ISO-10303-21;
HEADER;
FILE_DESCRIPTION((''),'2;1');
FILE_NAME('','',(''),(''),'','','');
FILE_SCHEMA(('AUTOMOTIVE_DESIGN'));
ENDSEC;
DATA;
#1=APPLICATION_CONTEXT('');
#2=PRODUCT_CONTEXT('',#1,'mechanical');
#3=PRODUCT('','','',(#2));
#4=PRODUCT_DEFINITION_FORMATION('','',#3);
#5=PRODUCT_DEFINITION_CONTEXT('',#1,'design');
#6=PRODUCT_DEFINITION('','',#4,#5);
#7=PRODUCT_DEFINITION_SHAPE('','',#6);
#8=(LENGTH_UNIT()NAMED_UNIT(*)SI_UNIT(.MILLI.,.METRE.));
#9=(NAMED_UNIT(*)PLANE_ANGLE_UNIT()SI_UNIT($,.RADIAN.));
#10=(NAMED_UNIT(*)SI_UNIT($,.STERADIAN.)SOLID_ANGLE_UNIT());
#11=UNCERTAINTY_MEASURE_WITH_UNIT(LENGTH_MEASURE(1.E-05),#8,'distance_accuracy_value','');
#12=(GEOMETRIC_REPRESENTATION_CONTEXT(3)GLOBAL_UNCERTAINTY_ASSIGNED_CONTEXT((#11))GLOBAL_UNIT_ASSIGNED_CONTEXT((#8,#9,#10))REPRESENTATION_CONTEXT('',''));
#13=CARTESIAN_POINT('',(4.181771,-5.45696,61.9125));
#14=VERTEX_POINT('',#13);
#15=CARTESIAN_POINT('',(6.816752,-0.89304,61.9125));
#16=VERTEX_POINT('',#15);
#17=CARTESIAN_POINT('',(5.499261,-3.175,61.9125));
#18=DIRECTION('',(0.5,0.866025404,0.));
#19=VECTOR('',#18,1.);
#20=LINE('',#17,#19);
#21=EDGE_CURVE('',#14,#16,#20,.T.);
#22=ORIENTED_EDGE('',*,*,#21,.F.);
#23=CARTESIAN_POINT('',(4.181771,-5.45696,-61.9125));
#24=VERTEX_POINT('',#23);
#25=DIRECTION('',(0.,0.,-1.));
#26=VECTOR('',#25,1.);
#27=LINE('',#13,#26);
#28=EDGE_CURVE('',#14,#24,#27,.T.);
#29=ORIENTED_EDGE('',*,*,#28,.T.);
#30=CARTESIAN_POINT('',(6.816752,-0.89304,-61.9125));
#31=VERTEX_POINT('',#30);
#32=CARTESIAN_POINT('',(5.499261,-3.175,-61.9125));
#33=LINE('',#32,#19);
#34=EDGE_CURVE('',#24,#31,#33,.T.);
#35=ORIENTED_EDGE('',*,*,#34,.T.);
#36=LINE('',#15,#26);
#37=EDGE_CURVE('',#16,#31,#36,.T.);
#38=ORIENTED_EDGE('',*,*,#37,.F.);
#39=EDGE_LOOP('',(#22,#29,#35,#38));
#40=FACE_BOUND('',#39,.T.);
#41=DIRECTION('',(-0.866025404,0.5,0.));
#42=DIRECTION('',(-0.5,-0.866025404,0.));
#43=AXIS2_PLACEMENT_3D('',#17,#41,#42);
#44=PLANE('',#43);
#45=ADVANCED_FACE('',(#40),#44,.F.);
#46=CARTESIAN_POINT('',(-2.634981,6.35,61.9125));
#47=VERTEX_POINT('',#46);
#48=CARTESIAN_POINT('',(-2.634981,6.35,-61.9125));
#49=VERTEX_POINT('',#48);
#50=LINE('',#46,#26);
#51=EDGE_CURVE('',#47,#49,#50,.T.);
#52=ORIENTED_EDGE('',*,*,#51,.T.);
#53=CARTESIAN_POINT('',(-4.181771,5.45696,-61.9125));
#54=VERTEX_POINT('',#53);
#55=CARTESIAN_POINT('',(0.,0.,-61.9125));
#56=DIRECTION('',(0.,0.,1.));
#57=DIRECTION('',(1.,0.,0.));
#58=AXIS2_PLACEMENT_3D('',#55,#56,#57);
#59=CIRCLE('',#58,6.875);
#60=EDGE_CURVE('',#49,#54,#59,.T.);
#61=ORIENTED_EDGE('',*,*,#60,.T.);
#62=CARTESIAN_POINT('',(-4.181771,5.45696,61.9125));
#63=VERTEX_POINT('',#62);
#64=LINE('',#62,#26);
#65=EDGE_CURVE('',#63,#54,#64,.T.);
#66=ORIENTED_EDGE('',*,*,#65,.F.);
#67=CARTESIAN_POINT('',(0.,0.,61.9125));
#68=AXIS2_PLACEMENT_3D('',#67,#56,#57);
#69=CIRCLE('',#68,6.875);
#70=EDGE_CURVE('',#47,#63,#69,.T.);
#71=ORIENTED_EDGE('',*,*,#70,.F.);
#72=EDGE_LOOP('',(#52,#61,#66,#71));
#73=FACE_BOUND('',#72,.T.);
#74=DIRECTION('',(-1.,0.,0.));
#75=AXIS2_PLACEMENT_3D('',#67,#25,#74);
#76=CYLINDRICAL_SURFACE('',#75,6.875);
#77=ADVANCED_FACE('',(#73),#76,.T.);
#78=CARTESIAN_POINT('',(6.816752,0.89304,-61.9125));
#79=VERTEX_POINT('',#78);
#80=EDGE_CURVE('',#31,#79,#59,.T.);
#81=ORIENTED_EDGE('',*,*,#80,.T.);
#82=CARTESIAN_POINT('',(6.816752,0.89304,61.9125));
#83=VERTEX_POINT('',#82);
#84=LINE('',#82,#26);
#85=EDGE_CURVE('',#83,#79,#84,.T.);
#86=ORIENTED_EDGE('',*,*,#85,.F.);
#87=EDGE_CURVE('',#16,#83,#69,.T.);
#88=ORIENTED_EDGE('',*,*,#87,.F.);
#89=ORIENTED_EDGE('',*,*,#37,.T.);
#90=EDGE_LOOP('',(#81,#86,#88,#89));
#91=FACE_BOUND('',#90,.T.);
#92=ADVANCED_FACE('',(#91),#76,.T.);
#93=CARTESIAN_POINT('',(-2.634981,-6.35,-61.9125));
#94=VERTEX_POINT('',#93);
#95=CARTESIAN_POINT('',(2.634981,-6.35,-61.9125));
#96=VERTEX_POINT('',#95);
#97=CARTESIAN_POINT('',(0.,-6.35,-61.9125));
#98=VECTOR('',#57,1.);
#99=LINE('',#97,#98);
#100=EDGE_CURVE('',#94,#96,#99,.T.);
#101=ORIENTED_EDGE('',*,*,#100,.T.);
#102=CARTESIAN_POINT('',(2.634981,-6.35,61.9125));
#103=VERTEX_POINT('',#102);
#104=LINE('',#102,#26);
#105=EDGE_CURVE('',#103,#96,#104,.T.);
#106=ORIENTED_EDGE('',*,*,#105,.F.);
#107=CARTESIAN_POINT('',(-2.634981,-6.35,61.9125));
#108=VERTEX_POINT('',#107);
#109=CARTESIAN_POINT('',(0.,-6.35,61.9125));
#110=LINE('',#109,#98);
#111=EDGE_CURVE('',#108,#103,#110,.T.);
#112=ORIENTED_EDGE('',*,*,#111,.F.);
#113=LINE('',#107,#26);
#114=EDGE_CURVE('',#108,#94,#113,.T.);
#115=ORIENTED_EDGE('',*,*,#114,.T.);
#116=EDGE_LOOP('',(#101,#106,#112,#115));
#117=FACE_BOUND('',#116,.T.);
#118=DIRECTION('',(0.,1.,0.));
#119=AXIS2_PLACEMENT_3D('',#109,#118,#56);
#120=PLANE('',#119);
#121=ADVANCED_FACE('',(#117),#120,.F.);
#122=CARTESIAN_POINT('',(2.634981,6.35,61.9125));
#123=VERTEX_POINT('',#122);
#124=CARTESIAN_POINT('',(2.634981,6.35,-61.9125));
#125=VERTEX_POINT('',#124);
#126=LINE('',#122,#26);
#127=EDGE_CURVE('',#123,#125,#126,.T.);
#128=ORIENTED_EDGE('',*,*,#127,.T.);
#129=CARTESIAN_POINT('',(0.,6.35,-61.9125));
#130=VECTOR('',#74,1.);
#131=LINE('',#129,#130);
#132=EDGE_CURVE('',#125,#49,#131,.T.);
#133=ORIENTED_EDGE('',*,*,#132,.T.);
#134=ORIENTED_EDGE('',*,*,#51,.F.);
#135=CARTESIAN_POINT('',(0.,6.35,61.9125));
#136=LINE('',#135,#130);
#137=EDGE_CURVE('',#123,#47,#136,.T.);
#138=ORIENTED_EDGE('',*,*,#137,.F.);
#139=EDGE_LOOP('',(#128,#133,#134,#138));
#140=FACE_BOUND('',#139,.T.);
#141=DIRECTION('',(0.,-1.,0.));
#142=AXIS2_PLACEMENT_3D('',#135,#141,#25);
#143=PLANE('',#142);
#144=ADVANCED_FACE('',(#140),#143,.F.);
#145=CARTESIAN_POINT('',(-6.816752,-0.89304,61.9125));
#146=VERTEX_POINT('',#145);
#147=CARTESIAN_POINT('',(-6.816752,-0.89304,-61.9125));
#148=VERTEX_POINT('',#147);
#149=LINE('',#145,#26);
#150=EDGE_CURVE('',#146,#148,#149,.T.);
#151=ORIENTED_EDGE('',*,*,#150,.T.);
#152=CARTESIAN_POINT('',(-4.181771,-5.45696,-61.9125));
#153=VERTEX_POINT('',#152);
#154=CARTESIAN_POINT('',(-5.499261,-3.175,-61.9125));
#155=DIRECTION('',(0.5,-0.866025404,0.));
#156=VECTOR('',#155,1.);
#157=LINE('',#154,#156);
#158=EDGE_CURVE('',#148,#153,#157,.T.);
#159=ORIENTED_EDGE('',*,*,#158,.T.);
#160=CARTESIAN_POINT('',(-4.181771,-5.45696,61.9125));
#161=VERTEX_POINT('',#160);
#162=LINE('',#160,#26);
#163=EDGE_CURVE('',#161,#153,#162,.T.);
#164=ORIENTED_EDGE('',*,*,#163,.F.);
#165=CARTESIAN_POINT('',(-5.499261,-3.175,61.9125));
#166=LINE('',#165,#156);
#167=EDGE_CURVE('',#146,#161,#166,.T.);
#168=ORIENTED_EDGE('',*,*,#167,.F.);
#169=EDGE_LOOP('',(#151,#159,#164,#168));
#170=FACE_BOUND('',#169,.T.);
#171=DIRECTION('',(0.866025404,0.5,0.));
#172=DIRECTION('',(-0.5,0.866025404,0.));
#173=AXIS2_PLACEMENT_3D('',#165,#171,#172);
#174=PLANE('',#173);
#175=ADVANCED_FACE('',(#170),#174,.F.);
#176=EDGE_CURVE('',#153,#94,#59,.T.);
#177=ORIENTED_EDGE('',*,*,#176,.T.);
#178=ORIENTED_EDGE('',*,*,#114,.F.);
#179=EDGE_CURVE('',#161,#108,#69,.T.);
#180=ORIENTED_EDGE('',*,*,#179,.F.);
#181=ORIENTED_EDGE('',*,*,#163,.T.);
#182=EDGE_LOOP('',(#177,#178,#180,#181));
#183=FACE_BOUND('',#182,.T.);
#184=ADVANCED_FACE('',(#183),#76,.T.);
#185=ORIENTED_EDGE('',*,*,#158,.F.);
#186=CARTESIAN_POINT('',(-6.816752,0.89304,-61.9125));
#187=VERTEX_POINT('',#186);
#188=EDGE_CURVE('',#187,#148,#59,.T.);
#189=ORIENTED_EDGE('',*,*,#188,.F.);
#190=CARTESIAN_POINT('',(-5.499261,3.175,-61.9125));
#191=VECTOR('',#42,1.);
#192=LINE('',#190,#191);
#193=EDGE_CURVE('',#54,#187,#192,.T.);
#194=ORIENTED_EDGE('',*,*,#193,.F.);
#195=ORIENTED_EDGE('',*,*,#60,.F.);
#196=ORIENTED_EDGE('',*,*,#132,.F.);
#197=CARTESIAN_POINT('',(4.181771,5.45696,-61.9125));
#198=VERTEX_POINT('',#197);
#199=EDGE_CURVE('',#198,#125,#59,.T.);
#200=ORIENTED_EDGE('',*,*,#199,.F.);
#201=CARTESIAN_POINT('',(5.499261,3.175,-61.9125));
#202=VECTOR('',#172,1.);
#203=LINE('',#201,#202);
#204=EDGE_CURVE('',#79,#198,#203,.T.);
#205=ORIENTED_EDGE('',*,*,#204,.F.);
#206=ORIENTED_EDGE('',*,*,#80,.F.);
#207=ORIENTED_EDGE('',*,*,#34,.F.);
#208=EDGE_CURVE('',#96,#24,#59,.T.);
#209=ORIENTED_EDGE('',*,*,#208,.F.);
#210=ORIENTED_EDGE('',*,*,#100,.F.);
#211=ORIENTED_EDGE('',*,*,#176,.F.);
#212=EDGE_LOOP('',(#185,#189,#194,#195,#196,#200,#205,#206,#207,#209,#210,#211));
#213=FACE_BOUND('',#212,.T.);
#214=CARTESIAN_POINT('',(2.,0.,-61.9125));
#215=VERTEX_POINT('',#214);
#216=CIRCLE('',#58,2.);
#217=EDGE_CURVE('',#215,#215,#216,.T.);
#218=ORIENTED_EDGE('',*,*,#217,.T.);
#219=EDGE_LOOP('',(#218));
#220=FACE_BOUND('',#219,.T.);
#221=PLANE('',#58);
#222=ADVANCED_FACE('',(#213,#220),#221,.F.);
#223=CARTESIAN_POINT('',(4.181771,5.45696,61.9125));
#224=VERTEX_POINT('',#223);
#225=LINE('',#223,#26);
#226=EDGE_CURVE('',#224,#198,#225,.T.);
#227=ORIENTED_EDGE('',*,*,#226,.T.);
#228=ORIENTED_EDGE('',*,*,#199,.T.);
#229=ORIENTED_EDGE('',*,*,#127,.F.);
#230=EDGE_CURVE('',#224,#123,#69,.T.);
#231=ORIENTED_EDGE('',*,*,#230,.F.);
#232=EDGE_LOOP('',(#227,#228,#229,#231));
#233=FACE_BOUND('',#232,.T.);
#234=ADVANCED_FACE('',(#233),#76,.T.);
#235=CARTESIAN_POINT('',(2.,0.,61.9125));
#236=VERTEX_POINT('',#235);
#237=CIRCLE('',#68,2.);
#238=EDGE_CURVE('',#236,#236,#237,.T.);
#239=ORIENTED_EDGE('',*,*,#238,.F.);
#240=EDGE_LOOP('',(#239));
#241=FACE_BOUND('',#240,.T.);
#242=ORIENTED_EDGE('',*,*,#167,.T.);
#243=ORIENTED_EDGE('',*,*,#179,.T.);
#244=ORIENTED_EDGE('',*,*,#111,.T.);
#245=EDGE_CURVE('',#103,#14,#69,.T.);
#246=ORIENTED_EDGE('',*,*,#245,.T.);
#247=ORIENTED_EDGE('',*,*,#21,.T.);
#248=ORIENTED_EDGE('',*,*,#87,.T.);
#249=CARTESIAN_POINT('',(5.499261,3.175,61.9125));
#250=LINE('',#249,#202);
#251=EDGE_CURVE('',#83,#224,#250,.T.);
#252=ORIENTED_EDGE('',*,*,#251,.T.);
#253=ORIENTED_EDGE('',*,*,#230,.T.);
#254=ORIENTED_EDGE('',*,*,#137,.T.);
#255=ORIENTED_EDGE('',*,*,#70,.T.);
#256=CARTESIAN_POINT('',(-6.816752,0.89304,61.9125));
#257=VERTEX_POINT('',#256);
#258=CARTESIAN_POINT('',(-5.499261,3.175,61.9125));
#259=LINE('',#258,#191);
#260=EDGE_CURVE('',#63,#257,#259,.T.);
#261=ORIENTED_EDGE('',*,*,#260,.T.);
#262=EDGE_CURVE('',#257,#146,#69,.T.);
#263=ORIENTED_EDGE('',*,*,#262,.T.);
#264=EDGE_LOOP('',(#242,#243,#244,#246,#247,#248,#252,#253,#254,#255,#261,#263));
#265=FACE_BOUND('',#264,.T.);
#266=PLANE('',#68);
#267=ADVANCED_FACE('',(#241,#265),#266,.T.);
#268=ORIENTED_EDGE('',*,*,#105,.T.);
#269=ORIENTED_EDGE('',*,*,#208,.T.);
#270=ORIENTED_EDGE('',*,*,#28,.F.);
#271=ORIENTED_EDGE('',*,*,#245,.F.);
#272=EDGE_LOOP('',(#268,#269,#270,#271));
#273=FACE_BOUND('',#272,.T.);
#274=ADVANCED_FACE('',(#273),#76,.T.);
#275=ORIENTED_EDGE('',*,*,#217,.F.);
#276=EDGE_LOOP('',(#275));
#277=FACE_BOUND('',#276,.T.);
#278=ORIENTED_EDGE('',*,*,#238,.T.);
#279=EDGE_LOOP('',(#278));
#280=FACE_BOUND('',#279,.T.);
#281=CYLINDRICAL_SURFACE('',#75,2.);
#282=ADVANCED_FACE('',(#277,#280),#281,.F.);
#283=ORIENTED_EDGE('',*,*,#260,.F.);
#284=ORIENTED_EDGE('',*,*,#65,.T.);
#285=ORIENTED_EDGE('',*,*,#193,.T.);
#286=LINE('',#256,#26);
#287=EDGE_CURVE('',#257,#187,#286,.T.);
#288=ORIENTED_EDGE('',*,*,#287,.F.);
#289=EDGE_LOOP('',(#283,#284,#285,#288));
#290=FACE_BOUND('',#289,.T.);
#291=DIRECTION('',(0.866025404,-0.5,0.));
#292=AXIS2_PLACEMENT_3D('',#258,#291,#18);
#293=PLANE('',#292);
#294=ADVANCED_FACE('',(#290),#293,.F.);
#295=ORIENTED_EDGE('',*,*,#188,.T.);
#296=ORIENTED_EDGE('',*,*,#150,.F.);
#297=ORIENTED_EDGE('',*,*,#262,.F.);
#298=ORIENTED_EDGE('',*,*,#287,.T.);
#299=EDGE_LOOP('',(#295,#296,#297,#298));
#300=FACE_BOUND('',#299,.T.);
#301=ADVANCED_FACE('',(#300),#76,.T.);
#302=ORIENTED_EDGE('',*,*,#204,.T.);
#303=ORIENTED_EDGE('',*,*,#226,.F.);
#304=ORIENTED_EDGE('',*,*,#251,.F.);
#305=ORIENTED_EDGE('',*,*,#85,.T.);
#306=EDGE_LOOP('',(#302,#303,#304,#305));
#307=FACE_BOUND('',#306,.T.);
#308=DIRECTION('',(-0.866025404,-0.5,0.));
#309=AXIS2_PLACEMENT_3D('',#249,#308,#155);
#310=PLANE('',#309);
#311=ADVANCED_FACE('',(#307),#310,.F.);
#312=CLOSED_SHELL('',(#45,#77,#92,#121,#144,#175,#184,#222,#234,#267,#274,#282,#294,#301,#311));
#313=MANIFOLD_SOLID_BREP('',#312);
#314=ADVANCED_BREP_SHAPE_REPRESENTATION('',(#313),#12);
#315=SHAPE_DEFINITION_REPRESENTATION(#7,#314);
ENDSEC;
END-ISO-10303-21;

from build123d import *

# Parameters (mm, degrees)
SKETCH1_R           = 2.000000064
BOSS_EXTRUDE1_DEPTH = 61.9125


with BuildPart() as part:
    # Sketch1 → Boss-Extrude1 (new, symmetric)
    with BuildSketch(Plane.XY):
        with BuildLine():
            ThreePointArc((4.181770846, 5.456960429), (3.437499983, 5.953924622), (2.634980936, 6.35))
            Line((2.634980936, 6.35), (-2.634980936, 6.35))
            ThreePointArc((-2.634980936, 6.35), (-3.437499983, 5.953924622), (-4.181770846, 5.456960429))
            Line((-4.181770846, 5.456960429), (-6.816751782, 0.893039571))
            ThreePointArc((-6.816751782, 0.893039571), (-6.874999966, 0), (-6.816751782, -0.893039571))
            Line((-6.816751782, -0.893039571), (-4.181770846, -5.456960429))
            ThreePointArc((-4.181770846, -5.456960429), (-3.437499983, -5.953924622), (-2.634980936, -6.35))
            Line((-2.634980936, -6.35), (2.634980936, -6.35))
            ThreePointArc((2.634980936, -6.35), (3.437499983, -5.953924622), (4.181770846, -5.456960429))
            Line((4.181770846, -5.456960429), (6.816751782, -0.893039571))
            ThreePointArc((6.816751782, -0.893039571), (6.860422465, -0.447468582), (6.874999966, 0))
            ThreePointArc((6.874999966, 0), (6.860422465, 0.447468582), (6.816751782, 0.893039571))
            Line((6.816751782, 0.893039571), (4.181770846, 5.456960429))
        make_face()
        Circle(SKETCH1_R, mode=Mode.SUBTRACT)
    extrude(amount=BOSS_EXTRUDE1_DEPTH, both=True)


solid = part.part
